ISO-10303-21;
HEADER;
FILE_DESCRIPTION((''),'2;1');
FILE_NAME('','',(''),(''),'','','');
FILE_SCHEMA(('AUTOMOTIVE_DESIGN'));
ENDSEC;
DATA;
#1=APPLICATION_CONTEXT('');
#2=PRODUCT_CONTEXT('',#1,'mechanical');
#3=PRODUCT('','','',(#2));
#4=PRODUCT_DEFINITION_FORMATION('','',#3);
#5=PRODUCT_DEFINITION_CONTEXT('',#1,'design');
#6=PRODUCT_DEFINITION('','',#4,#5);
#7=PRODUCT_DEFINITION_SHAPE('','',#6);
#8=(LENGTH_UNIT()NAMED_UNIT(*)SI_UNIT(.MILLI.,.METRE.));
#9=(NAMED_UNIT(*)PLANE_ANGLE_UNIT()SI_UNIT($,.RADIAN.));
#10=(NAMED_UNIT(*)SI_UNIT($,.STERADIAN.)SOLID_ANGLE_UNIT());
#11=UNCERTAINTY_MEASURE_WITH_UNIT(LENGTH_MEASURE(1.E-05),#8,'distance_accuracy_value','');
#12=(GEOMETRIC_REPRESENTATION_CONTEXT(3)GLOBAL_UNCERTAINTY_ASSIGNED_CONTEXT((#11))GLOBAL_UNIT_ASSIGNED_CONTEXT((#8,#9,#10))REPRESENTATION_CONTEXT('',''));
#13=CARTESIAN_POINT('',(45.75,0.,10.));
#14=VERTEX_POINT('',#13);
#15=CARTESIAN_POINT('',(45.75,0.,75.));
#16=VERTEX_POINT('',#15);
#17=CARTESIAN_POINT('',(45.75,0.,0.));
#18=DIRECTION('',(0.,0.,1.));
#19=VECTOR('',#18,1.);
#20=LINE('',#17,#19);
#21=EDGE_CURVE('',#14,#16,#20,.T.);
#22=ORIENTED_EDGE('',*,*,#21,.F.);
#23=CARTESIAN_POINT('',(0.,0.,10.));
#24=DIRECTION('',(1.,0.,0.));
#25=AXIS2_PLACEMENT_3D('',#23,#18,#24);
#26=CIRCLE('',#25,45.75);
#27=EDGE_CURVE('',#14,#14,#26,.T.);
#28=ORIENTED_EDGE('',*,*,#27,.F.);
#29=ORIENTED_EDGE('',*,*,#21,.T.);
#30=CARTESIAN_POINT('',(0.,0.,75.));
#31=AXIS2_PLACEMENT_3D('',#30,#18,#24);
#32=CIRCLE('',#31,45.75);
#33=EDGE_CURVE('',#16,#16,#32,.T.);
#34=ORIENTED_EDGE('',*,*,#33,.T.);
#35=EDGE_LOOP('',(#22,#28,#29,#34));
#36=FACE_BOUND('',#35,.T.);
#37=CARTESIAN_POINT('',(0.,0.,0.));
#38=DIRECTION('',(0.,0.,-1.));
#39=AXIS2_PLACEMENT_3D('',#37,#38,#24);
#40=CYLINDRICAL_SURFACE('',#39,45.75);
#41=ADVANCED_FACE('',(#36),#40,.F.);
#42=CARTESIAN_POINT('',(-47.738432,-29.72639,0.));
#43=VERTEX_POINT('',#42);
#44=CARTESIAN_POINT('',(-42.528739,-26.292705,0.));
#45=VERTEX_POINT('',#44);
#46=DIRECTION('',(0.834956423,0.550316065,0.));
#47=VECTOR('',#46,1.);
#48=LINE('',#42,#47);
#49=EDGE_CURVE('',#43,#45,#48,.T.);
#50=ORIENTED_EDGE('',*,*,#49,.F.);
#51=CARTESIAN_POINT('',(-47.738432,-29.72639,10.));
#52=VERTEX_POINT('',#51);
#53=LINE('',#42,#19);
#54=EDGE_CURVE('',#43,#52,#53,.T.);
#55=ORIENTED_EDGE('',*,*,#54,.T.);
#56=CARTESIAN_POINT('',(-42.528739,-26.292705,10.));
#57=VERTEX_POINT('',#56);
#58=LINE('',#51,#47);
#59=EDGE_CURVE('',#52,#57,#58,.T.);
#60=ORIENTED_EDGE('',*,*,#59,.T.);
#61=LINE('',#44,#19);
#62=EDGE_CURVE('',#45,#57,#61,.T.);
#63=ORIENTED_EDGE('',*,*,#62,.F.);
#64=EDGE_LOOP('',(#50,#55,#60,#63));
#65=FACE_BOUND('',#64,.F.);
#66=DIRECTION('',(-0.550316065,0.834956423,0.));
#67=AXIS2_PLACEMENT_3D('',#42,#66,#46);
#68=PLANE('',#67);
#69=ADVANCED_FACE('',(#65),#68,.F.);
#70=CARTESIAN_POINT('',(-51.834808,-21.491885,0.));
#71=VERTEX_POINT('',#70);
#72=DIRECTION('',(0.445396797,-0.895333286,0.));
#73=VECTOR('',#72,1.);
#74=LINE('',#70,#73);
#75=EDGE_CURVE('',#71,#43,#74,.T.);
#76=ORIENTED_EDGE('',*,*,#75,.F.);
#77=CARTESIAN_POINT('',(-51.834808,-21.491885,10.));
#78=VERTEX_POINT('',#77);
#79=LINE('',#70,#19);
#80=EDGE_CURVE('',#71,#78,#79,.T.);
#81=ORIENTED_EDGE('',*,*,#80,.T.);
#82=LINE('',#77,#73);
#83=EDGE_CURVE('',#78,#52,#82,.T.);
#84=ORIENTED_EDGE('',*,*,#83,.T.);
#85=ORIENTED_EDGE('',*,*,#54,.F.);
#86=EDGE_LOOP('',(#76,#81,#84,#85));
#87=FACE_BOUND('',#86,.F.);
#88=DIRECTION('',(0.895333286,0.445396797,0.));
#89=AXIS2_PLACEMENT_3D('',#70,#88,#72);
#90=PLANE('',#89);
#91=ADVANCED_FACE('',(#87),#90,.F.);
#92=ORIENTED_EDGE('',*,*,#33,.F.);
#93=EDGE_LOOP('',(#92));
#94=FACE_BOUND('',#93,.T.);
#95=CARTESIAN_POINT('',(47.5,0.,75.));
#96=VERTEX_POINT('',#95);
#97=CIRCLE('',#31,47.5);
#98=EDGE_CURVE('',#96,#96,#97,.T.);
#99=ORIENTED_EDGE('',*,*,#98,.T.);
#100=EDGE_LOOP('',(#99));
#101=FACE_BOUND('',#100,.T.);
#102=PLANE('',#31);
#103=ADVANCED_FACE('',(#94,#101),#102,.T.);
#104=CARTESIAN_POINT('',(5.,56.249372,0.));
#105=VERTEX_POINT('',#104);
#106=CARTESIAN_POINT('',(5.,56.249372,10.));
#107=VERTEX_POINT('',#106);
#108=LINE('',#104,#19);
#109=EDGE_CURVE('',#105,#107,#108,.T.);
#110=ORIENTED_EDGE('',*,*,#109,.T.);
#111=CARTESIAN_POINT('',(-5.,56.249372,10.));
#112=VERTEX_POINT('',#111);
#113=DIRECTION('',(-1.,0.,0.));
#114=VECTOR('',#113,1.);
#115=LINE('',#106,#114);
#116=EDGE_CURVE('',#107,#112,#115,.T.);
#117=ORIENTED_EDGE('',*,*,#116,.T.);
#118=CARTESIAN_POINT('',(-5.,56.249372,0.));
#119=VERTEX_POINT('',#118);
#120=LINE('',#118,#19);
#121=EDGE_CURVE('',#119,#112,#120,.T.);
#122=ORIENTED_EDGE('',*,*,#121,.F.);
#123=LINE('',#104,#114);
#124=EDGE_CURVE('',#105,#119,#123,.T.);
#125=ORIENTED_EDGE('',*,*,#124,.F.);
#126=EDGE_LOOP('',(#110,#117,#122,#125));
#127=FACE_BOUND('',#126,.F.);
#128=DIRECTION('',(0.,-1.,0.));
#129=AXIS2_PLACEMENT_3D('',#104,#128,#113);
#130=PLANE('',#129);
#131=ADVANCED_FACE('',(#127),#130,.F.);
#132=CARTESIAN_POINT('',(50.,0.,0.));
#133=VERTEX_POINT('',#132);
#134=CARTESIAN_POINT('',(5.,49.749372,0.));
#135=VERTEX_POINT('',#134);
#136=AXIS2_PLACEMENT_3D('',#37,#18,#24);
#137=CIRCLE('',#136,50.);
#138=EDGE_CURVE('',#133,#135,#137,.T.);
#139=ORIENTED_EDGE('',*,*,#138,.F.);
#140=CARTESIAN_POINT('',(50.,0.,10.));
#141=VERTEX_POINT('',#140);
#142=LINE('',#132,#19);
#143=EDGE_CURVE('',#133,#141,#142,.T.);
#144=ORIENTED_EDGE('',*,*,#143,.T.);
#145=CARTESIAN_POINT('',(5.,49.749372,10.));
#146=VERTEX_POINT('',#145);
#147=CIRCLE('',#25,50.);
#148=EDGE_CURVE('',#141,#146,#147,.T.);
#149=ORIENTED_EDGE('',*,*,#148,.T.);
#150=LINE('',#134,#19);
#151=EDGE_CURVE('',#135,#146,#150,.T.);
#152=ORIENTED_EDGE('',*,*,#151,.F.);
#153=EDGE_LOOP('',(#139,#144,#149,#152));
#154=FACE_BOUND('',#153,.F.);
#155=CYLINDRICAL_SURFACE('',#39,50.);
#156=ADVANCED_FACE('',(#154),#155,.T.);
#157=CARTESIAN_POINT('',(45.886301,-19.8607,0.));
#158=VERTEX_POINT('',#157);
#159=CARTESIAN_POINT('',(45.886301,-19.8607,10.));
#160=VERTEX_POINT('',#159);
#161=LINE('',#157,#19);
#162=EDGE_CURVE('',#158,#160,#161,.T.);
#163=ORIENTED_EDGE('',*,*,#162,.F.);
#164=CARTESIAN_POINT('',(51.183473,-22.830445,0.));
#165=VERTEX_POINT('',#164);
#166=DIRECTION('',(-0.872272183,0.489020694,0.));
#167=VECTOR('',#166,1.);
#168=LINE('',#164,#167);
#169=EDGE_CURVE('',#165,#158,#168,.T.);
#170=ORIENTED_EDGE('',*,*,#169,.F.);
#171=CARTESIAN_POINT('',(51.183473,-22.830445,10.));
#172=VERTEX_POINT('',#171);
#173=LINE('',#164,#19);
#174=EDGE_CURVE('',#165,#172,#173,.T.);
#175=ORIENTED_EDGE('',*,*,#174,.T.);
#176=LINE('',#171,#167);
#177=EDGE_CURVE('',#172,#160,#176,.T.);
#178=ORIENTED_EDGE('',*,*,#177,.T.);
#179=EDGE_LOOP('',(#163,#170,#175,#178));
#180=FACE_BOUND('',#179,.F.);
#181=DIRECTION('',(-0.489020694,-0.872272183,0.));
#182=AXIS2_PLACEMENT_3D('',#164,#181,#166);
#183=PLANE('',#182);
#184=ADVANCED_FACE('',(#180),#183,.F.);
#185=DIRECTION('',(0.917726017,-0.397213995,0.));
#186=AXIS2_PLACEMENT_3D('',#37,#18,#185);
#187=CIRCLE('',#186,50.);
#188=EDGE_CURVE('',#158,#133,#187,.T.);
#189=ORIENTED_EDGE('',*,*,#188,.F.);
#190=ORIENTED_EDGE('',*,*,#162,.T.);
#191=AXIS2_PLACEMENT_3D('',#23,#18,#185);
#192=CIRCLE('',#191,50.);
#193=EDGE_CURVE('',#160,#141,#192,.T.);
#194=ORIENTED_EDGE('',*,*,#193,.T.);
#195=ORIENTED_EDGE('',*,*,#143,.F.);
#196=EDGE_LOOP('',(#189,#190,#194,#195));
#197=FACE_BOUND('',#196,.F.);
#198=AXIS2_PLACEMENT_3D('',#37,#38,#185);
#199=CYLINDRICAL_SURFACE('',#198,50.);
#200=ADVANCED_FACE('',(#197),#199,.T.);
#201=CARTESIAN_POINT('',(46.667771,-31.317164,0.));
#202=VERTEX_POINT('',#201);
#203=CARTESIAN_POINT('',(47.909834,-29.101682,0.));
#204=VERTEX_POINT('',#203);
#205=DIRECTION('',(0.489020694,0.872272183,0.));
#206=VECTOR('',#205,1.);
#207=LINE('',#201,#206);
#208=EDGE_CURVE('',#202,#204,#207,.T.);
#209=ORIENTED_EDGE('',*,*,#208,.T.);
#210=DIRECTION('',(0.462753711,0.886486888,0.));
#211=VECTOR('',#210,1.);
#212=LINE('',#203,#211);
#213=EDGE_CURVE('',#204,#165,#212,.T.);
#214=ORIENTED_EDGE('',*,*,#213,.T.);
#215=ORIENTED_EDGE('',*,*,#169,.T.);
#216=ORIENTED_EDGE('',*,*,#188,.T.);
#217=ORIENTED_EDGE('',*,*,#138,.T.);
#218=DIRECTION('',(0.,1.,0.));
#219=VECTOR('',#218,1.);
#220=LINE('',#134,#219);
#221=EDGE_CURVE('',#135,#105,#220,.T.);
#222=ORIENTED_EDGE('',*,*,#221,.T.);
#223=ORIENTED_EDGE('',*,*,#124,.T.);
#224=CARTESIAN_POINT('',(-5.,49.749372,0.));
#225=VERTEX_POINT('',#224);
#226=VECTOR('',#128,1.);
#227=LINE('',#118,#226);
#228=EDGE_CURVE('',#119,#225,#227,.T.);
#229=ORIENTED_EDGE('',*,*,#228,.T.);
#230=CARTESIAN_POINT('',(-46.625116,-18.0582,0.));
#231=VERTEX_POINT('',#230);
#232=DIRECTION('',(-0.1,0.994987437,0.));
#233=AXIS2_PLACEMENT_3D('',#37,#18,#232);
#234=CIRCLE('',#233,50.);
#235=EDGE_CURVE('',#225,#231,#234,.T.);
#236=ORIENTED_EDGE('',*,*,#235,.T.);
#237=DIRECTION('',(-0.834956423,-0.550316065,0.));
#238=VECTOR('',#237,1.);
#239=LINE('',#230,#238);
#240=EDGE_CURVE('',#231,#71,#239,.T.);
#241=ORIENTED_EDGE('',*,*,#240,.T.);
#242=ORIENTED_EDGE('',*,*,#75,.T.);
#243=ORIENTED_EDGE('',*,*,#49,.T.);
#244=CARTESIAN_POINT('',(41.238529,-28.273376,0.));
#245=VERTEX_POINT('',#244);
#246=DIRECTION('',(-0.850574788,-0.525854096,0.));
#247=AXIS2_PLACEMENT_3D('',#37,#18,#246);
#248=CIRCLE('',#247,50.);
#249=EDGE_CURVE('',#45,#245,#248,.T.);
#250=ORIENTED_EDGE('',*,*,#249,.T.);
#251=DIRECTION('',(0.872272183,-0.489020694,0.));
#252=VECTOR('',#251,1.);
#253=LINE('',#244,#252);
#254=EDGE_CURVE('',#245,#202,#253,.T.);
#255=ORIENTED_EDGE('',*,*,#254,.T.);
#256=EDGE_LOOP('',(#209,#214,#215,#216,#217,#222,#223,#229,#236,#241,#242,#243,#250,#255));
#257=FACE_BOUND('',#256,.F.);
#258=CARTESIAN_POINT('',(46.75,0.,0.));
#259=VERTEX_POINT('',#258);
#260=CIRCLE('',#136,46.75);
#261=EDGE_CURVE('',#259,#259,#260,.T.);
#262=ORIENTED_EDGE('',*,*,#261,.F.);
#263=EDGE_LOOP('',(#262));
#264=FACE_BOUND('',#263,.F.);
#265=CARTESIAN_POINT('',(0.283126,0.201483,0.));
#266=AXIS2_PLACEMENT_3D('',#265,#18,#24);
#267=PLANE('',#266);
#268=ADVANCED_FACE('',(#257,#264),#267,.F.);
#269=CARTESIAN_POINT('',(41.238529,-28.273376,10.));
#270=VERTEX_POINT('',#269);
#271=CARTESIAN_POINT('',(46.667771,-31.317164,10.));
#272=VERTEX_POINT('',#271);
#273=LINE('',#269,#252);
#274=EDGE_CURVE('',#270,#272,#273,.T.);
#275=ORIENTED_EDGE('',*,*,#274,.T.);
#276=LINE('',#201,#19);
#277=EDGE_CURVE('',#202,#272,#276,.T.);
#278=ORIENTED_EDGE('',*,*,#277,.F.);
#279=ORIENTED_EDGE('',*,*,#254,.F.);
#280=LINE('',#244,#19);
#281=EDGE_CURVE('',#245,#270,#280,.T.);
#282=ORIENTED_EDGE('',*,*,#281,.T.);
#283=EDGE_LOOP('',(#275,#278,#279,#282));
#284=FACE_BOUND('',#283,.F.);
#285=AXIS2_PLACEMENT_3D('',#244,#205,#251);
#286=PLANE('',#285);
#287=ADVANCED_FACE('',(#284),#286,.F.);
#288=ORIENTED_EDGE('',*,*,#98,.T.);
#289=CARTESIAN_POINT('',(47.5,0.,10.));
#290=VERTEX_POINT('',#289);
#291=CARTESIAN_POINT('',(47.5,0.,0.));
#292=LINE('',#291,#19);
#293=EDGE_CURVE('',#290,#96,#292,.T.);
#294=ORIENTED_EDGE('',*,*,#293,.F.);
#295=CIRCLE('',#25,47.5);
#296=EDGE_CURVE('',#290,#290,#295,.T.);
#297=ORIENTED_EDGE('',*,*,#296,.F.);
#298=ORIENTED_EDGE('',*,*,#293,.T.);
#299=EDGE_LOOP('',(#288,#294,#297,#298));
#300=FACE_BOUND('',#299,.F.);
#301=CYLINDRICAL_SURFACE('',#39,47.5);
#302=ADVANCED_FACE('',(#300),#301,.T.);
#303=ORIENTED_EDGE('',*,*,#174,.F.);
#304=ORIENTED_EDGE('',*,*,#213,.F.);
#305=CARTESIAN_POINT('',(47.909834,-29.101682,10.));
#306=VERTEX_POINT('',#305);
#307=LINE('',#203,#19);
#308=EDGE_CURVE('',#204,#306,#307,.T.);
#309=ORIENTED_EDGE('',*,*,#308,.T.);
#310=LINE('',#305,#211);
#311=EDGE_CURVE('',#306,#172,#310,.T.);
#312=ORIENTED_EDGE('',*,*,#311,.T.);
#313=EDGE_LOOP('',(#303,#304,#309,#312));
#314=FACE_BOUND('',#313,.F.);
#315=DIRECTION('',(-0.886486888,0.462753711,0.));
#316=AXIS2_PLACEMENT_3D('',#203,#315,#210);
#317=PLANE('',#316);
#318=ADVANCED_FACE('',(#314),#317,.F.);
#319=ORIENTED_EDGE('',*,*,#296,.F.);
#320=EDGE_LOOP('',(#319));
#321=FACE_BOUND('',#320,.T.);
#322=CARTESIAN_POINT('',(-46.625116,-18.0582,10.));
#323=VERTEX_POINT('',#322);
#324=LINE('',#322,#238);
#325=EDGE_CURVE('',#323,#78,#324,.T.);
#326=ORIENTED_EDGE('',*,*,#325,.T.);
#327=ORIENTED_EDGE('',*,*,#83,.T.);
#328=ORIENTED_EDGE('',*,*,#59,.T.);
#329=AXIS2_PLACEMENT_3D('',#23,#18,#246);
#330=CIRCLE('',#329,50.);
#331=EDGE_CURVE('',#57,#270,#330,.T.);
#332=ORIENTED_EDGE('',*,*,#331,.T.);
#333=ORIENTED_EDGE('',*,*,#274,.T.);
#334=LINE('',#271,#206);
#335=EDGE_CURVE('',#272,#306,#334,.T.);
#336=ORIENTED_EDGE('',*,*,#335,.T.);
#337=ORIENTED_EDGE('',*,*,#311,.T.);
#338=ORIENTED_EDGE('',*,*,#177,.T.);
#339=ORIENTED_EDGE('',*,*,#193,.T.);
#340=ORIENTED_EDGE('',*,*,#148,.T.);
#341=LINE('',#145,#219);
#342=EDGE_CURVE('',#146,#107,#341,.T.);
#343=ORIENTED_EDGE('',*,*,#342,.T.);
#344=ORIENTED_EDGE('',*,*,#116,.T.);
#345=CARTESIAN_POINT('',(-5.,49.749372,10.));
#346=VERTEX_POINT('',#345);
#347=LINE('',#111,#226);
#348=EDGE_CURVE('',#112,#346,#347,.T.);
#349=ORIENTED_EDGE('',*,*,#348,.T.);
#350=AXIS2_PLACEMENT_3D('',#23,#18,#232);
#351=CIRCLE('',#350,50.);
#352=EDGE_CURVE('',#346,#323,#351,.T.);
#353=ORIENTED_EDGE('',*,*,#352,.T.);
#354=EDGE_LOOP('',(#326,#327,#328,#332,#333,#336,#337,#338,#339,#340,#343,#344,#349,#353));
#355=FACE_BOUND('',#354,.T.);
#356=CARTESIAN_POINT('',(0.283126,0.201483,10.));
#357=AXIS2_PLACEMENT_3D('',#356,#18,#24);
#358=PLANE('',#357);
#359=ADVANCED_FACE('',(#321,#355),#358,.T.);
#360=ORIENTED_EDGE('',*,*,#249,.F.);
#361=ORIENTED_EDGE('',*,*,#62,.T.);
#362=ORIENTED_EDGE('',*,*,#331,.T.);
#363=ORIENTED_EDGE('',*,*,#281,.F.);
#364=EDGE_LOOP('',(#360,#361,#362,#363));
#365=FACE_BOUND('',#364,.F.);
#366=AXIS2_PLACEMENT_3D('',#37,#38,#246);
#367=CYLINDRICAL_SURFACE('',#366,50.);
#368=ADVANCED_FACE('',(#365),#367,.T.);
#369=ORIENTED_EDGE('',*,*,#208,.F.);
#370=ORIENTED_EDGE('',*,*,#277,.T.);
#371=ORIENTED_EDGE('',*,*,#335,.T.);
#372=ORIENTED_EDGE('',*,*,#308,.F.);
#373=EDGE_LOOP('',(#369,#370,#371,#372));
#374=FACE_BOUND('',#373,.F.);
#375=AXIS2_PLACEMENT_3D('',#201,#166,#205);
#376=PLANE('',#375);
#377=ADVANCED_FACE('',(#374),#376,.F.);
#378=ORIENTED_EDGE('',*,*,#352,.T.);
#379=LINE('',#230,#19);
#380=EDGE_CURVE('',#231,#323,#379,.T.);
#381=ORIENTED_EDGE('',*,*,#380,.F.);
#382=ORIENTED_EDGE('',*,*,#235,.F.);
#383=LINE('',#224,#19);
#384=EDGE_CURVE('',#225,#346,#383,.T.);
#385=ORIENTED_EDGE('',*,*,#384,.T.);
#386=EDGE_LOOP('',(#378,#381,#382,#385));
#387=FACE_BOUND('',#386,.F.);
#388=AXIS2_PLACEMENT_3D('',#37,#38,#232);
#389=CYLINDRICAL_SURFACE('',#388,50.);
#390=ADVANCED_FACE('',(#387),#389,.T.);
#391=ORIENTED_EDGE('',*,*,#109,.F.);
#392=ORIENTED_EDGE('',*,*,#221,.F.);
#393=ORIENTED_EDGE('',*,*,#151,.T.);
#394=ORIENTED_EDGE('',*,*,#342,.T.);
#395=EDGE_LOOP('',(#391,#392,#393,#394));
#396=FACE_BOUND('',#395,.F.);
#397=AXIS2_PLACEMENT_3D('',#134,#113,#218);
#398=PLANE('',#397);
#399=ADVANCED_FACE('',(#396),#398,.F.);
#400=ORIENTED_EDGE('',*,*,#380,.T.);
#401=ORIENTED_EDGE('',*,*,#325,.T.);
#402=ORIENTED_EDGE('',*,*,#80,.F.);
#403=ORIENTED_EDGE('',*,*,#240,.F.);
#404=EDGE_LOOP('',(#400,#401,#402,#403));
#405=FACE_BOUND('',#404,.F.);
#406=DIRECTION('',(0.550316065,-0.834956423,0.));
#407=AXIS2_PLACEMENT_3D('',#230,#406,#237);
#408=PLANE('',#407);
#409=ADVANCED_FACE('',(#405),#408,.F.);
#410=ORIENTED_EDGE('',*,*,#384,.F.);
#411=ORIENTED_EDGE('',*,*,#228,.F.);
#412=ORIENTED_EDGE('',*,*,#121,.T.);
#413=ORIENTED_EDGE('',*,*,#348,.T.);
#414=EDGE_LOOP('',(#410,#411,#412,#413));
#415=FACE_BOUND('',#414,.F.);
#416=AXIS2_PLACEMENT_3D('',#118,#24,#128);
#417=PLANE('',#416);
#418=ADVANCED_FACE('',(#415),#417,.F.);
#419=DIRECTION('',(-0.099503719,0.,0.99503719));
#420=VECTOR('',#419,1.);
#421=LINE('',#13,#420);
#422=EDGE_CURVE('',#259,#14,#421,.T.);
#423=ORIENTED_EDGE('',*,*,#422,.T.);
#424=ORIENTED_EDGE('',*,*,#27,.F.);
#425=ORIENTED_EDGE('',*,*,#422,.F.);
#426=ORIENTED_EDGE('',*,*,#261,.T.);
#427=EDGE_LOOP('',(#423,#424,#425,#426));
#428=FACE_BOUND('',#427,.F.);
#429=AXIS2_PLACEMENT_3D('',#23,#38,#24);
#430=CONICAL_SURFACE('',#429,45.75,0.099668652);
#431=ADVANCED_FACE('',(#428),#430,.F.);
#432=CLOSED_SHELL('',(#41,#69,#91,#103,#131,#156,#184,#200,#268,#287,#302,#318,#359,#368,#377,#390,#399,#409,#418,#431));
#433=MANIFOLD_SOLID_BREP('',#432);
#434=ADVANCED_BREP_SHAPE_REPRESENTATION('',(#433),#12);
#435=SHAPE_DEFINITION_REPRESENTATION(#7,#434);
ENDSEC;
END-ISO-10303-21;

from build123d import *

# Parameters (mm, degrees)
F0_R     = 47.5
F1_DEPTH = 10
F0_R_2   = 45.75
F2_DEPTH = 75
F3_SIZE2 = 10
F3_SIZE  = 1


with BuildPart() as f1:
    # F0 (on Top) → F1 (new body)
    with BuildSketch(Plane.XY):
        with BuildLine():
            ThreePointArc((45.8863008564, -19.8606997288), (48.9607753351, -10.1411280729), (50, 0))
            ThreePointArc((50, 0), (37.0809924355, 33.5410196625), (5, 49.7493718553))
            Line((5, 49.7493718553), (-5, 49.7493718553))
            ThreePointArc((-5, 49.7493718553), (-42.6116749939, 26.1580800942), (-46.6251156353, -18.0582001317))
            Line((-46.6251156353, -18.0582001317), (-42.5287393866, -26.2927048092))
            ThreePointArc((-42.5287393866, -26.2927048092), (-1.1819158777, -49.9860287966), (41.2385285358, -28.2733755361))
            Line((41.2385285358, -28.2733755361), (42.5287393866, -26.2927048092))
            Line((42.5287393866, -26.2927048092), (45.8863008564, -19.8606997288))
        make_face()
        Circle(F0_R, mode=Mode.SUBTRACT)
        with BuildLine():
            Line((-5, 49.7493718553), (5, 49.7493718553))
            ThreePointArc((5, 49.7493718553), (0, 50), (-5, 49.7493718553))
        make_face()
        with BuildLine():
            ThreePointArc((-5, 49.7493718553), (0, 50), (5, 49.7493718553))
            Line((5, 49.7493718553), (5, 56.2493718553))
            Line((5, 56.2493718553), (-5, 56.2493718553))
            Line((-5, 56.2493718553), (-5, 49.7493718553))
        make_face()
        with BuildLine():
            Line((51.1834725437, -22.8304454416), (45.8863008564, -19.8606997288))
            ThreePointArc((45.8863008564, -19.8606997288), (44.3243444129, -23.1376855447), (42.5287393866, -26.2927048092))
            ThreePointArc((42.5287393866, -26.2927048092), (41.8953405276, -27.2906658415), (41.2385285358, -28.2733755361))
            Line((41.2385285358, -28.2733755361), (46.6677711457, -31.3171639795))
            Line((46.6677711457, -31.3171639795), (47.9098336715, -29.1016818872))
            Line((47.9098336715, -29.1016818872), (51.1834725437, -22.8304454416))
        make_face()
        with BuildLine():
            ThreePointArc((42.5287393866, -26.2927048092), (44.3243444129, -23.1376855447), (45.8863008564, -19.8606997288))
            Line((45.8863008564, -19.8606997288), (42.5287393866, -26.2927048092))
        make_face()
        with BuildLine():
            ThreePointArc((41.2385285358, -28.2733755361), (41.8953405276, -27.2906658415), (42.5287393866, -26.2927048092))
            Line((42.5287393866, -26.2927048092), (41.2385285358, -28.2733755361))
        make_face()
        with BuildLine():
            Line((-42.5287393866, -26.2927048092), (-46.6251156353, -18.0582001317))
            ThreePointArc((-46.6251156353, -18.0582001317), (-44.7666643066, -22.2698398482), (-42.5287393866, -26.2927048092))
        make_face()
        with BuildLine():
            ThreePointArc((-42.5287393866, -26.2927048092), (-44.7666643066, -22.2698398482), (-46.6251156353, -18.0582001317))
            Line((-46.6251156353, -18.0582001317), (-51.8348084182, -21.4918854745))
            Line((-51.8348084182, -21.4918854745), (-47.7384321695, -29.726390152))
            Line((-47.7384321695, -29.726390152), (-42.5287393866, -26.2927048092))
        make_face()
    extrude(amount=F1_DEPTH)

    # F0 (on Top) → F2 (join)
    with BuildSketch(Plane.XY):
        Circle(F0_R)
        Circle(F0_R_2, mode=Mode.SUBTRACT)
    extrude(amount=F2_DEPTH)

    # F3
    f3_edges = [f1.edges().sort_by_distance(p)[0] for p in [
        (-45.75, 0, 0),
    ]]
    f3_side = f1.faces().sort_by_distance((44.676862, -28.504375, 0))[0]
    chamfer(f3_edges, length=F3_SIZE, length2=F3_SIZE2, reference=f3_side)


solid = f1.part
